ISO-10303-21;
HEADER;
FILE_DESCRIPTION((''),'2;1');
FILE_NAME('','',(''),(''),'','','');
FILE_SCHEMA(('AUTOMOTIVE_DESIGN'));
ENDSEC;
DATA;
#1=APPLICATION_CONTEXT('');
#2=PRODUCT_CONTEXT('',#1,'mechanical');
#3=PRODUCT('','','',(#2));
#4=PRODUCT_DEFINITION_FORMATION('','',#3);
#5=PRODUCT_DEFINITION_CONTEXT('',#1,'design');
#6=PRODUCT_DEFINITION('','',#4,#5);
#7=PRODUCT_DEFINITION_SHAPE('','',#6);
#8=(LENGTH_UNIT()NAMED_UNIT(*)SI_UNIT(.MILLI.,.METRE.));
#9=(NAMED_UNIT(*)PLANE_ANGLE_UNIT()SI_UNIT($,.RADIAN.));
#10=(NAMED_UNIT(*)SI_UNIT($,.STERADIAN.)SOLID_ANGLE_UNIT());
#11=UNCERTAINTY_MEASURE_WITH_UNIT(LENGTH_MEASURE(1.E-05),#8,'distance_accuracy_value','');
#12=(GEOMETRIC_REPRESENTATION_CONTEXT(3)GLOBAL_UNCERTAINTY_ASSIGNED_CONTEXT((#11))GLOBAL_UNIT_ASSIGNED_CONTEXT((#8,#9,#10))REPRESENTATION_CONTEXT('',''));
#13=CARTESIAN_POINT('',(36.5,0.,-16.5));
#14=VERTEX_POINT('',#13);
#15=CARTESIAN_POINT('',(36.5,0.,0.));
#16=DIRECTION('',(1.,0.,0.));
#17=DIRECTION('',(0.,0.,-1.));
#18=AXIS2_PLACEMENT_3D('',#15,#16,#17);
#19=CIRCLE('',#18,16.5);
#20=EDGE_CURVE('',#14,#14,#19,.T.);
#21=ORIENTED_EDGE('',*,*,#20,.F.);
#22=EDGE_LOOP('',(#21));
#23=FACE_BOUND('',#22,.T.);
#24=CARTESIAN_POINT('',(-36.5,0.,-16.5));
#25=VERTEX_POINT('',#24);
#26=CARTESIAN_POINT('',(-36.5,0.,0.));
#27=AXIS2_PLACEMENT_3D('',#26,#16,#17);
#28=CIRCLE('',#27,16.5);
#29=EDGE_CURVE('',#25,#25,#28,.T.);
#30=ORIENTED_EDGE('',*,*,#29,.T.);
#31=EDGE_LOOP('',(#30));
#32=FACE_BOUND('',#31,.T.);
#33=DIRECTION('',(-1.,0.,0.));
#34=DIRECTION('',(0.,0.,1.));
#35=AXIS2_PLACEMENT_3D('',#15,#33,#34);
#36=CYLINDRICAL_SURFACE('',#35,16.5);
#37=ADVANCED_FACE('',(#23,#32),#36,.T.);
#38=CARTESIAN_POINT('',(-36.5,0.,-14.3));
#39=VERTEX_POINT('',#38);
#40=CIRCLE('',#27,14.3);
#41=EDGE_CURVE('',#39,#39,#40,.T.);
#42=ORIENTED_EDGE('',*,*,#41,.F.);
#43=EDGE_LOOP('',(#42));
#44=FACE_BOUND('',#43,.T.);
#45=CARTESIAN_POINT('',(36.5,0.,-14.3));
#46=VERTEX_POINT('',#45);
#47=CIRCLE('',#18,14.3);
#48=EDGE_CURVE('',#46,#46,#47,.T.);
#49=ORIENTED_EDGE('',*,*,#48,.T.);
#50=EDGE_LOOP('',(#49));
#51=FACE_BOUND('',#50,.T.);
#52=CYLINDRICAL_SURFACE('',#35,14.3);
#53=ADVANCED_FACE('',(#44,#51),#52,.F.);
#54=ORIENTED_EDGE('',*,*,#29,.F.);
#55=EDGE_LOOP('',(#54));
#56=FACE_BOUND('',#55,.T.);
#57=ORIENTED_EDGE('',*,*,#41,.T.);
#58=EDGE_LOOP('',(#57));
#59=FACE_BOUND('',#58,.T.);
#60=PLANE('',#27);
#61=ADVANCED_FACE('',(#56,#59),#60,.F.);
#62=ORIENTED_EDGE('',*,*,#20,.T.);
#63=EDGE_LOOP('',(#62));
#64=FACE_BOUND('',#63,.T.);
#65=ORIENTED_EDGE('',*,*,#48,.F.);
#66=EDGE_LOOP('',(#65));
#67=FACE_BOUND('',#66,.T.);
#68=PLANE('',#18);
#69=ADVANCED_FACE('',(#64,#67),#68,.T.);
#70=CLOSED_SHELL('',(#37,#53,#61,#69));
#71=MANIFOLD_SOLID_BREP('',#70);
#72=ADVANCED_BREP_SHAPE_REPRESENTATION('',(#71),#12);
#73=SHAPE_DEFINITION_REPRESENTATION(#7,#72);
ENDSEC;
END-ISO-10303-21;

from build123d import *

# Parameters (mm, degrees)
ESQUISSE1_R        = 16.5
ESQUISSE1_R_2      = 14.3
BOSS_EXTRU_1_DEPTH = 36.5


with BuildPart() as part:
    # Esquisse1 → Boss.-Extru.1 (new, symmetric)
    with BuildSketch(Plane(origin=(0, 0, 0), x_dir=(0, 0, -1), z_dir=(1, 0, 0))):
        Circle(ESQUISSE1_R)
        Circle(ESQUISSE1_R_2, mode=Mode.SUBTRACT)
    extrude(amount=BOSS_EXTRU_1_DEPTH, both=True)


solid = part.part
